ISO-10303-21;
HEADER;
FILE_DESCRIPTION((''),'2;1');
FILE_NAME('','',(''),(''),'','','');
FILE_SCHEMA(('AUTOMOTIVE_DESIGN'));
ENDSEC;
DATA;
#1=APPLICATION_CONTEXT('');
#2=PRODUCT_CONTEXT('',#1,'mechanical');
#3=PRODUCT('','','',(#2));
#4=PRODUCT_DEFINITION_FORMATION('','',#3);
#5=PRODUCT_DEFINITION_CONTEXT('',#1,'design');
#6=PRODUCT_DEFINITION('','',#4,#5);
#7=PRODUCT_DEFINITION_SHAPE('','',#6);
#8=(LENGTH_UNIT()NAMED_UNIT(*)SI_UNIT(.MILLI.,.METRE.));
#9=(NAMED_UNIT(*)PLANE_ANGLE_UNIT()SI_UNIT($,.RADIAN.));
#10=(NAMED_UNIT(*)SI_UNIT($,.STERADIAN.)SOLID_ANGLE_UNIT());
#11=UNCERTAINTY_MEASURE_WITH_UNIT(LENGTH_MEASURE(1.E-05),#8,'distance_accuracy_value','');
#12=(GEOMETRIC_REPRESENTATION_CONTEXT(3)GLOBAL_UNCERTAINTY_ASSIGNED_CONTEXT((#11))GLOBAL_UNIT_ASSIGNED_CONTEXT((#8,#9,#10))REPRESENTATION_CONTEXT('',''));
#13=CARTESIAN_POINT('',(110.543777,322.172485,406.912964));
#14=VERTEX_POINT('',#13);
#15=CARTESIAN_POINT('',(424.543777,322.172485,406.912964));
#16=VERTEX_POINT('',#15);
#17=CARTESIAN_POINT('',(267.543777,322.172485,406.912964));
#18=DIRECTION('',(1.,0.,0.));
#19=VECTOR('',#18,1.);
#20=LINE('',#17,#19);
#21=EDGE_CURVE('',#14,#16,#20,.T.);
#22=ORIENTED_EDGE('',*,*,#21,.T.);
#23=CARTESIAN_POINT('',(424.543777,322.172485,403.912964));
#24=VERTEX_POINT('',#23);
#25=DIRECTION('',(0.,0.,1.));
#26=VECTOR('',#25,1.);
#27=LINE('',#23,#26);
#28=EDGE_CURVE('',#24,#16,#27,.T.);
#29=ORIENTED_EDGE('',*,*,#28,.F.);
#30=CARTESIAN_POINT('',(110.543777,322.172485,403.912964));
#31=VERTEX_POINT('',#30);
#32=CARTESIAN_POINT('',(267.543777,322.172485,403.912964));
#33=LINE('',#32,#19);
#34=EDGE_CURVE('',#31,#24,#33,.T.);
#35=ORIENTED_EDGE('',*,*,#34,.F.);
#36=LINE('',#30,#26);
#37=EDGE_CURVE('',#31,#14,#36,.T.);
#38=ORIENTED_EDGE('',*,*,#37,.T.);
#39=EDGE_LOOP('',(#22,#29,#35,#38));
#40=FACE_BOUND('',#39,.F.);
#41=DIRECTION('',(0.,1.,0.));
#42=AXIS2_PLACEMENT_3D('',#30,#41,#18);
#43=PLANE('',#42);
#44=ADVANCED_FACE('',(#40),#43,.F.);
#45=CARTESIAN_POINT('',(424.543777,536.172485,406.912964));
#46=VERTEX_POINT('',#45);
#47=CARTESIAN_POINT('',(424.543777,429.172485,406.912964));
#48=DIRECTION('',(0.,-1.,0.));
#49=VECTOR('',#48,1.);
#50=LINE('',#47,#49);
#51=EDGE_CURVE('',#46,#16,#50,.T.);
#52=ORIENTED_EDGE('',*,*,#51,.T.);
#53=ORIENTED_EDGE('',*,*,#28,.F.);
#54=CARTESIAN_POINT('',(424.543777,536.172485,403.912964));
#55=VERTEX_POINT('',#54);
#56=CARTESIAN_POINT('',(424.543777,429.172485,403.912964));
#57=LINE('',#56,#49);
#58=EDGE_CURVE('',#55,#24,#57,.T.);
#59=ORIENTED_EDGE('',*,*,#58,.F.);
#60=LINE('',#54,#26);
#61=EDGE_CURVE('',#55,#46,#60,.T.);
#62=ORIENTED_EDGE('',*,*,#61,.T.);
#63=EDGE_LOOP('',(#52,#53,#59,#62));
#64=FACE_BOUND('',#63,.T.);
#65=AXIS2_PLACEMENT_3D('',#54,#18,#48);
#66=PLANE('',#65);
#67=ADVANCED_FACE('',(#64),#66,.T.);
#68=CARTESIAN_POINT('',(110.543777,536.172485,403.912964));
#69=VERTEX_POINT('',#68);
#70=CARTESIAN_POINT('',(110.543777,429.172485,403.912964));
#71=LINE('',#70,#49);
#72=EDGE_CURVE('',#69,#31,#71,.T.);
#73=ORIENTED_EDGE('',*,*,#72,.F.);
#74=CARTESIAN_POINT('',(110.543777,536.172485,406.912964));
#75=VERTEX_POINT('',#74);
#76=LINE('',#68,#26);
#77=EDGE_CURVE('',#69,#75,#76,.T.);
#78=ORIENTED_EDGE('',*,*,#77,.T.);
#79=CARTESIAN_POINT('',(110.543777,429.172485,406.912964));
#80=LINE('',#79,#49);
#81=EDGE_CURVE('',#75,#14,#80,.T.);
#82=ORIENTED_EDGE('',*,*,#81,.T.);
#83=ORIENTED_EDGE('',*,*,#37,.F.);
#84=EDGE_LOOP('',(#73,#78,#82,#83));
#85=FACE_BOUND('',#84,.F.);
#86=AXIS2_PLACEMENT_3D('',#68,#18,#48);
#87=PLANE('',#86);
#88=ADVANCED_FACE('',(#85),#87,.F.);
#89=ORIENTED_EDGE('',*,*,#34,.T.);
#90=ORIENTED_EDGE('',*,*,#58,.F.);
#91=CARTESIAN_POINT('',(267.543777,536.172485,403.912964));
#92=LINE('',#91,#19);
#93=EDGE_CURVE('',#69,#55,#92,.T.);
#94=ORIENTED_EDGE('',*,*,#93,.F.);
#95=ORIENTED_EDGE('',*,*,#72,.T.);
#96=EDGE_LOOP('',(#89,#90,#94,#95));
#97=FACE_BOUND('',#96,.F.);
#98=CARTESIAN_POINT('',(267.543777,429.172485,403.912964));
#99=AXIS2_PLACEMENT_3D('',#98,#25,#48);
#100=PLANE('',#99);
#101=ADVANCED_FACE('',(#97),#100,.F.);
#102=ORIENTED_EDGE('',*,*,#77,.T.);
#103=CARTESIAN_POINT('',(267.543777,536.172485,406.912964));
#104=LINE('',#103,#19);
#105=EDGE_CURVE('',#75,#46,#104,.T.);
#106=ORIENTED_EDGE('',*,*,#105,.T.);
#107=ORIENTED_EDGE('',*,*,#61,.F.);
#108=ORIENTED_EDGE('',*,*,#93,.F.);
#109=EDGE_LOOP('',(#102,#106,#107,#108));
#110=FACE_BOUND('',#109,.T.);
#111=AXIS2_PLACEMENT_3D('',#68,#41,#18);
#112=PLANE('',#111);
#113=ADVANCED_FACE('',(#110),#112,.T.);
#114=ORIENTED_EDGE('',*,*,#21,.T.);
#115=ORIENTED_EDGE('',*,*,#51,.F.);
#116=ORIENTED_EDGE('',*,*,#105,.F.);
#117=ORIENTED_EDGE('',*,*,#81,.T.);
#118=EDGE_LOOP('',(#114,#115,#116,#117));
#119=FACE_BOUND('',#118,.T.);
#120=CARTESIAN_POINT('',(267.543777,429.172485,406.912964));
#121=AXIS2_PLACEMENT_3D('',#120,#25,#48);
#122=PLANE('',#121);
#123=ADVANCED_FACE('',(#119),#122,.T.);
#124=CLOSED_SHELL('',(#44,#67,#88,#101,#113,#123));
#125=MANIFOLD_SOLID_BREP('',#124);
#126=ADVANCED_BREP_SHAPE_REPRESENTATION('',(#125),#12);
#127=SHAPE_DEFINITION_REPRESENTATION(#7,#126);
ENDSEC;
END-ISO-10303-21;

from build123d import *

# Parameters (mm, degrees)
SKETCH001_W = 214
SKETCH001_H = 314
PAD_DEPTH   = 3


with BuildPart() as part:
    # Sketch001 → Pad (new body)
    with BuildSketch(Plane(origin=(110.543777, 322.172485, 403.912964), x_dir=(0, -1, 0), z_dir=(0, 0, 1))):
        with Locations((-107, 157)):
            Rectangle(SKETCH001_W, SKETCH001_H)
    extrude(amount=PAD_DEPTH)


solid = part.part
